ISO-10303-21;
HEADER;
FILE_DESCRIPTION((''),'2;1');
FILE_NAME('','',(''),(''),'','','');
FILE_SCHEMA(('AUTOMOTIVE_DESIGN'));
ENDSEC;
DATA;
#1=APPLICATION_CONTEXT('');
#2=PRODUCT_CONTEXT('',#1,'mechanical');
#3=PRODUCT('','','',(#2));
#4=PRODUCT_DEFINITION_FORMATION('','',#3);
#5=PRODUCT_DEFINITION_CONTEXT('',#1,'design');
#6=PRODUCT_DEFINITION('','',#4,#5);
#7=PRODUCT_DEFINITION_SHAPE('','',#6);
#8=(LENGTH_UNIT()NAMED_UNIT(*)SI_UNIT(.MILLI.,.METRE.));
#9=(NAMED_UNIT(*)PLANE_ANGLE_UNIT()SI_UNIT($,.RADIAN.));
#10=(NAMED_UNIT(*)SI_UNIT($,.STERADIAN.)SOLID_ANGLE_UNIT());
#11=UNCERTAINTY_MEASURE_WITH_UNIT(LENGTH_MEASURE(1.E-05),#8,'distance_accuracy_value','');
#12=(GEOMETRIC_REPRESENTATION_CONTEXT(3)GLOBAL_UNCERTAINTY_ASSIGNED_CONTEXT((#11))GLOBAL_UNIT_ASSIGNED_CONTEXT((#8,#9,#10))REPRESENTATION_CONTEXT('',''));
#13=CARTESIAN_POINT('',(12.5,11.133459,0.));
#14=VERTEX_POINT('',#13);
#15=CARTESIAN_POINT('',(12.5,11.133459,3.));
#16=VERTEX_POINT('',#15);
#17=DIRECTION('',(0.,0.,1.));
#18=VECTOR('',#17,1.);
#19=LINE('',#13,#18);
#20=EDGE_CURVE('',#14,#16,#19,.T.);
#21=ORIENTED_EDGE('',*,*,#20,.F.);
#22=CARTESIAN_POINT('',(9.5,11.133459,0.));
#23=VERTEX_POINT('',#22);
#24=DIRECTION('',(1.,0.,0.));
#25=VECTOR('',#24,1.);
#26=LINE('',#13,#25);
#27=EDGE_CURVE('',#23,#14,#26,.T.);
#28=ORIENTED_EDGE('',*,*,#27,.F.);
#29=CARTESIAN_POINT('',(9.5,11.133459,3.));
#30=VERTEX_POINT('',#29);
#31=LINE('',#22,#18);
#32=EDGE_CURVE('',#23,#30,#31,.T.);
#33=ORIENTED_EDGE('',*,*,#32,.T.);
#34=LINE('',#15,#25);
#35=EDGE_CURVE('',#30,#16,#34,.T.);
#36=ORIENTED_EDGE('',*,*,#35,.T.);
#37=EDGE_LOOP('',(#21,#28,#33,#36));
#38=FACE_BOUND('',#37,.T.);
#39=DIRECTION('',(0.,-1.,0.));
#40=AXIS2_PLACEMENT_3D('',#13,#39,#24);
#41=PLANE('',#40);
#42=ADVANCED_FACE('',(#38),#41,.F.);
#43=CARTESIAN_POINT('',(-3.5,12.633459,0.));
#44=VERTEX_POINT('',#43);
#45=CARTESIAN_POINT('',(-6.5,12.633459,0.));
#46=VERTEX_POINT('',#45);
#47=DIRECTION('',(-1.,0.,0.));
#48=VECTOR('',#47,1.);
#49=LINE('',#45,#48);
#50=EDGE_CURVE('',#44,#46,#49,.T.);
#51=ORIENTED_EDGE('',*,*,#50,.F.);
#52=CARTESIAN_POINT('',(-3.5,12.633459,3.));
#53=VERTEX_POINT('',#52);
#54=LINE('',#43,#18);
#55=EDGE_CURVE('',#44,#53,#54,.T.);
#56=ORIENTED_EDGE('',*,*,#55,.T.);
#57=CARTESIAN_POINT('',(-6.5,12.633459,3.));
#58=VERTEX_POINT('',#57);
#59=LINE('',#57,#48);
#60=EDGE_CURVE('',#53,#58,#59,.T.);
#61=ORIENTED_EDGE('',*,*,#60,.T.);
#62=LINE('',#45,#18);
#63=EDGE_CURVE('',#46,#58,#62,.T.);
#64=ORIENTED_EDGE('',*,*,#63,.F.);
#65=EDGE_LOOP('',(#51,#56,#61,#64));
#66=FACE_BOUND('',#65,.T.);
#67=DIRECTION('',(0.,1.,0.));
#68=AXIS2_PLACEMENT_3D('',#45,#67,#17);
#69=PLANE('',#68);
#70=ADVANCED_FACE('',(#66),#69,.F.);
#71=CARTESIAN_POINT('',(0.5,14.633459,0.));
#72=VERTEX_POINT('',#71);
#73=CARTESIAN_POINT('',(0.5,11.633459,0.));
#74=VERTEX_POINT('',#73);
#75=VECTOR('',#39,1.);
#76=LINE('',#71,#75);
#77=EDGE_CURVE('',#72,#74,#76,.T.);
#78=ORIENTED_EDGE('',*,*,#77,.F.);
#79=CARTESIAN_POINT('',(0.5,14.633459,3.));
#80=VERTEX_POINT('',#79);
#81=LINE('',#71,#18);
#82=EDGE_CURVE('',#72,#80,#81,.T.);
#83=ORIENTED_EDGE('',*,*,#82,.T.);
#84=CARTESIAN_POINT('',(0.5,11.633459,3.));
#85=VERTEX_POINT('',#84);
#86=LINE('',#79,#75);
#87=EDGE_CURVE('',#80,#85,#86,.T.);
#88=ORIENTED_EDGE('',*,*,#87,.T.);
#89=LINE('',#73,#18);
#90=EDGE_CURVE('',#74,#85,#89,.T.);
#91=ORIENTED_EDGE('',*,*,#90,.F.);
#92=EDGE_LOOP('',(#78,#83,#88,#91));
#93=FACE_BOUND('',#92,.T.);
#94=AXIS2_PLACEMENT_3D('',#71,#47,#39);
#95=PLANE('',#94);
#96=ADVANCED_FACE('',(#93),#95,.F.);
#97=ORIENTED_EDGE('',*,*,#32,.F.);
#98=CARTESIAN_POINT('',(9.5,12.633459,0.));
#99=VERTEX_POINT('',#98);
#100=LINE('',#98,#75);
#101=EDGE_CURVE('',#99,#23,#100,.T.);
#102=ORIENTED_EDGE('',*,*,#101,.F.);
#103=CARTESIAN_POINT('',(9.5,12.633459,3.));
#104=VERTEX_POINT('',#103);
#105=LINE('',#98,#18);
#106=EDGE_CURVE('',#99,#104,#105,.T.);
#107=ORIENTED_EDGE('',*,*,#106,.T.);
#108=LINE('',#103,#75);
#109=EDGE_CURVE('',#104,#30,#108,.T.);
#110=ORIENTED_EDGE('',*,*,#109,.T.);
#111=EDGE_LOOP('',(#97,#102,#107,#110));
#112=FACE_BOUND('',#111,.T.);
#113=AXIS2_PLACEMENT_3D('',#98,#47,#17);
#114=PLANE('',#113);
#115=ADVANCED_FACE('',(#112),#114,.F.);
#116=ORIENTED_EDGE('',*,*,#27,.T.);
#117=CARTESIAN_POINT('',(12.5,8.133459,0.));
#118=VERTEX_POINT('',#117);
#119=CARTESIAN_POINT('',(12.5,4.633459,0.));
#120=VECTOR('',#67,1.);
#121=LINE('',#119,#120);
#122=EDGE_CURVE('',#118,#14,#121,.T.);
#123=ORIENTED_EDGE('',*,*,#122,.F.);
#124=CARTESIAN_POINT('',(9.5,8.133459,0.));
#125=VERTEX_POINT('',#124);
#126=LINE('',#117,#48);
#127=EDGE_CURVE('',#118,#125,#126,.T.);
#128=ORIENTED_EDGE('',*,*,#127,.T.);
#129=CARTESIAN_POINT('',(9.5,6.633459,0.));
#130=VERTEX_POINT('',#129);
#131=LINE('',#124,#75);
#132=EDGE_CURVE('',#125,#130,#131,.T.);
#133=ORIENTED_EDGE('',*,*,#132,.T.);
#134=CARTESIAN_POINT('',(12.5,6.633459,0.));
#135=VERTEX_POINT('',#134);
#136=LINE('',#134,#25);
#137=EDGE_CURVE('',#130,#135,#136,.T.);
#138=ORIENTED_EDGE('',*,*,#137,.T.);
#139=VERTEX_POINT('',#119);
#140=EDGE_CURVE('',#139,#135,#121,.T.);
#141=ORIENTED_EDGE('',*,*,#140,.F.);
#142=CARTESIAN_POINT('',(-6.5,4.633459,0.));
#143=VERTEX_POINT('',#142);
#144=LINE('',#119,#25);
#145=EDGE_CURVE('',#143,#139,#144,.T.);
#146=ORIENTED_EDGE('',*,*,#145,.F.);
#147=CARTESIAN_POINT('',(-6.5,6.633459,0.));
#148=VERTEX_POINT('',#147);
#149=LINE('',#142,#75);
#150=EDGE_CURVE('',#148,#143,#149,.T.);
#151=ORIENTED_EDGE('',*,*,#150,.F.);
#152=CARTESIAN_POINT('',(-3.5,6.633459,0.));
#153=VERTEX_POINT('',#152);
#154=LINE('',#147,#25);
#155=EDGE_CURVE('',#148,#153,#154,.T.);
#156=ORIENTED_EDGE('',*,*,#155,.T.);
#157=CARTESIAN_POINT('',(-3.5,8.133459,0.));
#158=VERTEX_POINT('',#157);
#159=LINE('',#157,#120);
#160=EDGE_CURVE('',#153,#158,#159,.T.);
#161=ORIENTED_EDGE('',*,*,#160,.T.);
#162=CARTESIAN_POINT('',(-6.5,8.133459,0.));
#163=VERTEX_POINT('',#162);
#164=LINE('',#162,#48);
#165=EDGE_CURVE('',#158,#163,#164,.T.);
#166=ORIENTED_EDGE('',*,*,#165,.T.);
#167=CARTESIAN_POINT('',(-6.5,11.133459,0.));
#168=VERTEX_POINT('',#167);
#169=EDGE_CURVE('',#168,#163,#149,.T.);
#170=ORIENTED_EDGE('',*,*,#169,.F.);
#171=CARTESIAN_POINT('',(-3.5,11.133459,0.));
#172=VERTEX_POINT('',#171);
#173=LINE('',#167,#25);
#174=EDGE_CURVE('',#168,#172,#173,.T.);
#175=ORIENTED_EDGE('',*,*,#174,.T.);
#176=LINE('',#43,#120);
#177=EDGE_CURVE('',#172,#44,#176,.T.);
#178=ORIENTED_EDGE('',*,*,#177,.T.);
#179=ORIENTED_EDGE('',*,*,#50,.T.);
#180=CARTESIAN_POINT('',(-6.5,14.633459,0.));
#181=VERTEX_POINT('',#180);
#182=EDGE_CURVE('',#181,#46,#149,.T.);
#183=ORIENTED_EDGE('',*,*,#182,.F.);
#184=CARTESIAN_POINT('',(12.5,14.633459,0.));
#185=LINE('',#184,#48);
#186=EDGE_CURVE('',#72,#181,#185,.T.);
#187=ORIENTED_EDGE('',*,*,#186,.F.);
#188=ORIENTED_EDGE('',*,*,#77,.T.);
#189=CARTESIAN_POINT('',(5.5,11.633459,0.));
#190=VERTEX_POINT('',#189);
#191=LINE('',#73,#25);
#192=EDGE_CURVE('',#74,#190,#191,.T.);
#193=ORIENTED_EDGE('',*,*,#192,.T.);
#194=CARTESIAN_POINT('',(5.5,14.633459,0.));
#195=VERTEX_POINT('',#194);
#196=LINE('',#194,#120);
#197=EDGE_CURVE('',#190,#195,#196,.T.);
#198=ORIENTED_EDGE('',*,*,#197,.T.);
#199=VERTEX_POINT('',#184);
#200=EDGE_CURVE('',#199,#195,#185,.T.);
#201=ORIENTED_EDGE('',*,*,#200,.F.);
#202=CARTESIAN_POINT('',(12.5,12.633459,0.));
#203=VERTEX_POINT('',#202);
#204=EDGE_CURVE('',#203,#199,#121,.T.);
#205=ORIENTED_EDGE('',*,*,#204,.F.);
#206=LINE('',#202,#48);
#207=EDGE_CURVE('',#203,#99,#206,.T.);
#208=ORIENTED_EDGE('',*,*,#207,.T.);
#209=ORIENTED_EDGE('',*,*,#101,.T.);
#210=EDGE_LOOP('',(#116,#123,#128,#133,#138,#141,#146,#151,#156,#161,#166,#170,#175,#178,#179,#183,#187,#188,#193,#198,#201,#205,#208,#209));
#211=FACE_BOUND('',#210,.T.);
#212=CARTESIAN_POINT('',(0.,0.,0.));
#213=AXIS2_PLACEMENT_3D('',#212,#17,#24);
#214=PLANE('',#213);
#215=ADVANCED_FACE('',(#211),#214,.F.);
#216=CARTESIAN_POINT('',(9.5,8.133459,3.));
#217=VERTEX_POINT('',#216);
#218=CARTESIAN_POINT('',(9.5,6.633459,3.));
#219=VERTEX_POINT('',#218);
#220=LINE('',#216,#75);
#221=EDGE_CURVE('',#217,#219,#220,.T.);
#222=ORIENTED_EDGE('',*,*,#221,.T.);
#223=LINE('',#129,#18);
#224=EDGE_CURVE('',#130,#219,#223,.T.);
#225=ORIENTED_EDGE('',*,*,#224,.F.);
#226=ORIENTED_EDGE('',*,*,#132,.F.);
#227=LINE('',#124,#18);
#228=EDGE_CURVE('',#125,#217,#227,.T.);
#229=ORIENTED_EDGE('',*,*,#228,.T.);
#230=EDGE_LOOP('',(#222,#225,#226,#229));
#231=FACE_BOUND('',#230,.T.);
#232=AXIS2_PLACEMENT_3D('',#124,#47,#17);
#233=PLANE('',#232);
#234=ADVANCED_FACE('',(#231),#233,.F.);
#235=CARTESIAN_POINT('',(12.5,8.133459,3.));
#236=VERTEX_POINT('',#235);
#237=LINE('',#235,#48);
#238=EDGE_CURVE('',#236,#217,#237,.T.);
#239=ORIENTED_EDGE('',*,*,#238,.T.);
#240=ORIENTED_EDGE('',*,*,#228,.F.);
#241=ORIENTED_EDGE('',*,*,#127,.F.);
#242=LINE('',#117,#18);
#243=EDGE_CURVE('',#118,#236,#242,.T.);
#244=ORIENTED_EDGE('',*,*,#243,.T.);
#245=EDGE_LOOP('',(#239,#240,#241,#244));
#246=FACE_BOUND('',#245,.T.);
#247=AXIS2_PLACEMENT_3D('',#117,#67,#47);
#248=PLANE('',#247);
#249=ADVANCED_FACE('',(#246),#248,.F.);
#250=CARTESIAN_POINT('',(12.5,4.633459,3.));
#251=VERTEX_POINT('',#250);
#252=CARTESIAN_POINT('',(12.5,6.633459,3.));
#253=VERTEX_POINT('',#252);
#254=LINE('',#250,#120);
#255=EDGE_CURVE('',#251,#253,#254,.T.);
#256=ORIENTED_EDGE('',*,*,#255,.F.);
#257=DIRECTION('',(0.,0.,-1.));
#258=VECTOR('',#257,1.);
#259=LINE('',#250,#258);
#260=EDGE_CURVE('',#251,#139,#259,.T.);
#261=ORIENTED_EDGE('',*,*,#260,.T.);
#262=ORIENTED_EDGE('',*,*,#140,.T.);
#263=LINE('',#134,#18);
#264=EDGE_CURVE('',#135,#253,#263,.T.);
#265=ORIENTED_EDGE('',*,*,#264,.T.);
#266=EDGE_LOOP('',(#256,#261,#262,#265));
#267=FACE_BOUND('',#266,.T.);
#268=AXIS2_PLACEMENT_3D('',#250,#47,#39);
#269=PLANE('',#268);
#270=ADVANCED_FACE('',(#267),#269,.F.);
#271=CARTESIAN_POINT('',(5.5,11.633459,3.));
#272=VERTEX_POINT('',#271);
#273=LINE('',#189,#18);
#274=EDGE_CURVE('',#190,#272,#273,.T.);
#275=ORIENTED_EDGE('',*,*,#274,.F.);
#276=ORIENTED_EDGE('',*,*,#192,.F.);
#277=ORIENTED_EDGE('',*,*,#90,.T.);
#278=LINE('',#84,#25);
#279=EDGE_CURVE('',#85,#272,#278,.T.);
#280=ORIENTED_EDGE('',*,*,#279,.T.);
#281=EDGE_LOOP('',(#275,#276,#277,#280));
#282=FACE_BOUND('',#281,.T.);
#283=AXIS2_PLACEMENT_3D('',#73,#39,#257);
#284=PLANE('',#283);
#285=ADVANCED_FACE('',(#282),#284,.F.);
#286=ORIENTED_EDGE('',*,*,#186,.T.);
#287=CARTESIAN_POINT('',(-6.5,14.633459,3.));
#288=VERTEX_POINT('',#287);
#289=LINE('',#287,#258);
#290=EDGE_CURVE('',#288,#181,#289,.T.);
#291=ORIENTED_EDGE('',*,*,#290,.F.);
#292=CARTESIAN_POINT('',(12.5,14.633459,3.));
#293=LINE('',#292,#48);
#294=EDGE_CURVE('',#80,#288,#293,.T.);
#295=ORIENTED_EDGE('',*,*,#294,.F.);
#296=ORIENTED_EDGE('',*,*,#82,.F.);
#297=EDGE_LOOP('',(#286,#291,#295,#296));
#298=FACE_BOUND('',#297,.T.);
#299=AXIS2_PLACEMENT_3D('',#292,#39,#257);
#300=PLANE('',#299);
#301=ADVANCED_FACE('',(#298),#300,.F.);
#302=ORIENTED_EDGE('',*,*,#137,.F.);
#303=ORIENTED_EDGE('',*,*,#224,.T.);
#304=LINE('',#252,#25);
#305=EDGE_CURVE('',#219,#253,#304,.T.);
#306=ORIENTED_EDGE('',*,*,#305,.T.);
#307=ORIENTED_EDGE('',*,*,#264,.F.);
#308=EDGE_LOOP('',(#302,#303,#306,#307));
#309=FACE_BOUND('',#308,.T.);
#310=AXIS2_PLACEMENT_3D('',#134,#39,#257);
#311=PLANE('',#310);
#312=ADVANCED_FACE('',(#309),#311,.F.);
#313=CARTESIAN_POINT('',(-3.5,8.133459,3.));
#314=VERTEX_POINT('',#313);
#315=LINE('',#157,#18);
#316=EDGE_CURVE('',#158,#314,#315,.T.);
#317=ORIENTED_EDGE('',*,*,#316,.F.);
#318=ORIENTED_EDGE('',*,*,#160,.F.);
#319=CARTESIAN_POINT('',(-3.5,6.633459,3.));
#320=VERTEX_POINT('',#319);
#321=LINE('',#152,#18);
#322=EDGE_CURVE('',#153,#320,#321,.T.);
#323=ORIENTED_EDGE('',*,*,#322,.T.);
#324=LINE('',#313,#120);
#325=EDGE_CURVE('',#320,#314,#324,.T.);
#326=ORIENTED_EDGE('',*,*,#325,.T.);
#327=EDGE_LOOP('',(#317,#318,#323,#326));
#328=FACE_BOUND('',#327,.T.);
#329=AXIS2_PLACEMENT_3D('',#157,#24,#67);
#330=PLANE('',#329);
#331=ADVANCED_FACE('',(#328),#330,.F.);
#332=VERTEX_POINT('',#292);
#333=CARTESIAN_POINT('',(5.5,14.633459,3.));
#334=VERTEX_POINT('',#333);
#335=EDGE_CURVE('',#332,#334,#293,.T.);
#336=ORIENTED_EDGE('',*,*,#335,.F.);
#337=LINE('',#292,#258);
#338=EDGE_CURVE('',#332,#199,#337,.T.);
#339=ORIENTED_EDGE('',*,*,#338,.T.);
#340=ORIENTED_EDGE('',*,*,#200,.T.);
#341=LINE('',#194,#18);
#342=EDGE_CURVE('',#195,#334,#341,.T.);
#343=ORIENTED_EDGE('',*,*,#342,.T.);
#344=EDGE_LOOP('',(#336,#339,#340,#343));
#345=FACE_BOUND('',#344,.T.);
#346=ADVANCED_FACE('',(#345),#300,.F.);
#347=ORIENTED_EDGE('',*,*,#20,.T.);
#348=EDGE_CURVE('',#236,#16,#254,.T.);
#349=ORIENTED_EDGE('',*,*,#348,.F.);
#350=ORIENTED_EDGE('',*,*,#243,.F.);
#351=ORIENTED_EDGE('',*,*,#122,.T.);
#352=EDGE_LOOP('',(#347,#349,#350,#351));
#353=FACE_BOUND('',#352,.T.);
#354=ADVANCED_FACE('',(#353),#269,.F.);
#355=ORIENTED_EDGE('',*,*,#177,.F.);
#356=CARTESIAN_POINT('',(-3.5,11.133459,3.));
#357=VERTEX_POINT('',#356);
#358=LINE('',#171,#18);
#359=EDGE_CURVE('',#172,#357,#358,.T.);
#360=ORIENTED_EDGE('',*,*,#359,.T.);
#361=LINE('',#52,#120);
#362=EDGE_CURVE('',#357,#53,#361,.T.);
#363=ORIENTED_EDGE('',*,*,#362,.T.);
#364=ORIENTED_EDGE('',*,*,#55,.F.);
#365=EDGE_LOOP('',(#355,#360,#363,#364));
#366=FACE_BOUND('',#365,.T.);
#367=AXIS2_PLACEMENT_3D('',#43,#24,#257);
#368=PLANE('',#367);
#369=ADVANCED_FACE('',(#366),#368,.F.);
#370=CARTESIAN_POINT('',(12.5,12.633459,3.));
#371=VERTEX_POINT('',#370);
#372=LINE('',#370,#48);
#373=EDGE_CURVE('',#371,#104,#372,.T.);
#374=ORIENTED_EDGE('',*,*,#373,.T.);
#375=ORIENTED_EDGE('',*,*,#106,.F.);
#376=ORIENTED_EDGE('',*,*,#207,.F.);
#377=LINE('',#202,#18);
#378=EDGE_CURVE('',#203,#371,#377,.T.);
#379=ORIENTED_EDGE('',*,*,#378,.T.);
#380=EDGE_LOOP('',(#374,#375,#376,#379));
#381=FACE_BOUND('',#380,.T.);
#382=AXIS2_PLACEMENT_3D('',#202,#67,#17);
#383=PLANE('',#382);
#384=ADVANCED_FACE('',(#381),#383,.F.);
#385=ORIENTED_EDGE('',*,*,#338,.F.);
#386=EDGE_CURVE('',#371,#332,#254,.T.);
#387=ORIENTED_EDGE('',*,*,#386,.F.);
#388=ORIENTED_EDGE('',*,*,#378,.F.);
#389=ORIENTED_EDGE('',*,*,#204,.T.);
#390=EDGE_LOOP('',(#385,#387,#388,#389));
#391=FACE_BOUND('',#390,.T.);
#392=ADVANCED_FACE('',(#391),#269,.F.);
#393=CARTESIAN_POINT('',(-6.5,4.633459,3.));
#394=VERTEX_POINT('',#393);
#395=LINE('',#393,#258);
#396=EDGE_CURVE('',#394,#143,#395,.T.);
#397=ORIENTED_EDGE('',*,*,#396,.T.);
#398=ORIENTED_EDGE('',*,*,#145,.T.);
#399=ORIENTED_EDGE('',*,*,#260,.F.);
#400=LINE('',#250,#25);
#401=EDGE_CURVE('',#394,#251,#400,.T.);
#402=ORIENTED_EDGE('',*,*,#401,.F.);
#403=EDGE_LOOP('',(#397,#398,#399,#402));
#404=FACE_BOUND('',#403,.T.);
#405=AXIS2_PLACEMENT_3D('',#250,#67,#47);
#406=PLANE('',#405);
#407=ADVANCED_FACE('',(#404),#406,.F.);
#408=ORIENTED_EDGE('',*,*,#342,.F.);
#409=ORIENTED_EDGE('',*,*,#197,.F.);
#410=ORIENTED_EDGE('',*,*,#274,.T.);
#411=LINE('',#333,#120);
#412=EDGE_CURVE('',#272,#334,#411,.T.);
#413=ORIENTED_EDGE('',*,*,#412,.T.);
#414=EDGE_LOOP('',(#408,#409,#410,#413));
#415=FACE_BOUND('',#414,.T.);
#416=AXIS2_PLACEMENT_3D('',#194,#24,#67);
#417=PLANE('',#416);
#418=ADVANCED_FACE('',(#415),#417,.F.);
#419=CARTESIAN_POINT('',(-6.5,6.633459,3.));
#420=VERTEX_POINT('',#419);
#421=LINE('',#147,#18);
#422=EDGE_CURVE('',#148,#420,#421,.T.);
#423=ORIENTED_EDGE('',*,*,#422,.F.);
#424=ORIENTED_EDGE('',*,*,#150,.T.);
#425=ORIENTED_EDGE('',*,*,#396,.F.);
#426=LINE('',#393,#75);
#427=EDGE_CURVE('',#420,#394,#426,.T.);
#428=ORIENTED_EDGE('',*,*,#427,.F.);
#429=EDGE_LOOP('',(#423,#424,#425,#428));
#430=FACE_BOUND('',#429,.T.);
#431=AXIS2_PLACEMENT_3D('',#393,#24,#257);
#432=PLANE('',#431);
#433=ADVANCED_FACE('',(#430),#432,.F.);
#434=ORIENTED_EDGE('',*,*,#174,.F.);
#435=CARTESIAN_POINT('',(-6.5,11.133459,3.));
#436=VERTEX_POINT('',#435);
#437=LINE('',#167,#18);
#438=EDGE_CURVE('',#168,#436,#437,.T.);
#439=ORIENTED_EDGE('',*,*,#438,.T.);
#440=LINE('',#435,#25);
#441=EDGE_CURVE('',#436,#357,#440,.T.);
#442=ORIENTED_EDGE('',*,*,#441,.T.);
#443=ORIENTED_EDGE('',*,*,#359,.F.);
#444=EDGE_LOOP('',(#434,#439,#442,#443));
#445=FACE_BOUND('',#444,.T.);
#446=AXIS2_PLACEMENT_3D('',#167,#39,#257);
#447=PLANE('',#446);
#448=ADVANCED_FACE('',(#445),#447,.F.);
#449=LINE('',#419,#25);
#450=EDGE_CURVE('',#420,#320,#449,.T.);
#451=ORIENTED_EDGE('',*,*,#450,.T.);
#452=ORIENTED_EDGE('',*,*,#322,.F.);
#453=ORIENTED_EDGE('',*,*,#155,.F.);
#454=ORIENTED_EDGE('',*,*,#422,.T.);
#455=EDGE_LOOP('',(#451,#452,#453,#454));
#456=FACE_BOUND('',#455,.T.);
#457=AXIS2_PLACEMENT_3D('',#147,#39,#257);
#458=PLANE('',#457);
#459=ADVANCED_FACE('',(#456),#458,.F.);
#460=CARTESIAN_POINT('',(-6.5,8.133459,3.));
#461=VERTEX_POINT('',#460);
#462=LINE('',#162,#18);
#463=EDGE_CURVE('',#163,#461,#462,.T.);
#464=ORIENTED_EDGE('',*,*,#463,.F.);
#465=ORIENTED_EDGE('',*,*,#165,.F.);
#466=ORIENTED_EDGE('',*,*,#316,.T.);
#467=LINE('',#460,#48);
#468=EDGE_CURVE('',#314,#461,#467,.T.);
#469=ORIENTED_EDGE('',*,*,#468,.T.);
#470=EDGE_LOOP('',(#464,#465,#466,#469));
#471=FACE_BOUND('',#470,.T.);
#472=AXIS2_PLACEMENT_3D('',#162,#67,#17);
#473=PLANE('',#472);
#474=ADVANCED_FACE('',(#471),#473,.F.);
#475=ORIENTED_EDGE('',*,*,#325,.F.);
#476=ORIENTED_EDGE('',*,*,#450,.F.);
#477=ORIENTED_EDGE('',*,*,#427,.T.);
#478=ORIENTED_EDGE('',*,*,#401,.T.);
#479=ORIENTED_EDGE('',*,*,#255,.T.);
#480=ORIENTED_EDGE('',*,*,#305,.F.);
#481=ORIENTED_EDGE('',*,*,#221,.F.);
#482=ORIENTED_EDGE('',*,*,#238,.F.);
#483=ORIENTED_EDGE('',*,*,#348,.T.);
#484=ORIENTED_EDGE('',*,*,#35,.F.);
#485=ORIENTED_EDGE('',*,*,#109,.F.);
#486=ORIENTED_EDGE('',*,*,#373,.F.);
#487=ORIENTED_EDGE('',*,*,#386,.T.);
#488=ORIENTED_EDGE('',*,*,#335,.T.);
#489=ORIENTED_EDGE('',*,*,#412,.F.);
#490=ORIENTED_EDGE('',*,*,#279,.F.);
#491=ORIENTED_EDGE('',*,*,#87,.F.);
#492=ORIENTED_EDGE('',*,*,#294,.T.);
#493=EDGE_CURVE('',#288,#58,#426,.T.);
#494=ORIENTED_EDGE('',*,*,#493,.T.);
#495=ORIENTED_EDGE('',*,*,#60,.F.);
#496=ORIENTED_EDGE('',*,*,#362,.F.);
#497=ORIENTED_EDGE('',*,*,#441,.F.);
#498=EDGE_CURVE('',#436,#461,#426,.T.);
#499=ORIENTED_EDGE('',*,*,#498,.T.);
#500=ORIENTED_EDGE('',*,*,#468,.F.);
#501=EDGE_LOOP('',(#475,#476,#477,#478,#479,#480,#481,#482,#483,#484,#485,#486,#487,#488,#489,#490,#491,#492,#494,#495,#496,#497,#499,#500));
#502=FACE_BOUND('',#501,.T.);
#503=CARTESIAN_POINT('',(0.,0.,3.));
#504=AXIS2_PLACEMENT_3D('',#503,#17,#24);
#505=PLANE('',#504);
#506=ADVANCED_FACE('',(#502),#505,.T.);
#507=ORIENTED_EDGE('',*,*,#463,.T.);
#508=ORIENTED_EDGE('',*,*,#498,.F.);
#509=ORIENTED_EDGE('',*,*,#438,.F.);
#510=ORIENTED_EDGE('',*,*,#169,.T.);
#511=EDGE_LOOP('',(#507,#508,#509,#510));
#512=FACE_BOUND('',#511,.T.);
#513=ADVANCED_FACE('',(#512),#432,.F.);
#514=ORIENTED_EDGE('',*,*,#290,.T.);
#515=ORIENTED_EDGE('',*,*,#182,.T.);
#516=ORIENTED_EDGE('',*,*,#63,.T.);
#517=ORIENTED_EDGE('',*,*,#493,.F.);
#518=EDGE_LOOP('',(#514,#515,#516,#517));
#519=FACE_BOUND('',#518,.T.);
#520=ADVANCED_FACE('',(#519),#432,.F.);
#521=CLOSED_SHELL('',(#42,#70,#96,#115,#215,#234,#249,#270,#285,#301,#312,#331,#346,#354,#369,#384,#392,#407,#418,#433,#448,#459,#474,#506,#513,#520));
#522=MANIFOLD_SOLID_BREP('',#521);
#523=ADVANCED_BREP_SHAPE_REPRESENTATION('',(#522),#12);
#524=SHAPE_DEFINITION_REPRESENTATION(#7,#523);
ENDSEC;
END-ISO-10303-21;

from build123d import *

# Parameters (mm, degrees)
SKETCH1_W           = 19
SKETCH1_H           = 10
BOSS_EXTRUDE1_DEPTH = 3
SKETCH2_W           = 3
SKETCH2_H           = 1.5
CUT_EXTRUDE1_DEPTH  = 3
SKETCH3_W           = 3
SKETCH3_H           = 1.5
CUT_EXTRUDE2_DEPTH  = 3
SKETCH5_W           = 5
SKETCH5_H           = 3
CUT_EXTRUDE6_DEPTH  = 3


with BuildPart() as part:
    # Sketch1 → Boss-Extrude1 (new body)
    with BuildSketch(Plane.XY):
        with Locations((3, 9.633458647)):
            Rectangle(SKETCH1_W, SKETCH1_H)
    extrude(amount=BOSS_EXTRUDE1_DEPTH)

    # Sketch2 → Cut-Extrude1 (cut)
    with BuildSketch(Plane.XY.offset(3)):
        with Locations((-5, 11.883458647)):
            Rectangle(SKETCH2_W, SKETCH2_H)
        with Locations((-5, 7.383458647)):
            Rectangle(SKETCH2_W, SKETCH2_H)
    extrude(amount=-CUT_EXTRUDE1_DEPTH, mode=Mode.SUBTRACT)

    # Sketch3 → Cut-Extrude2 (cut)
    with BuildSketch(Plane.XY.offset(3)):
        with Locations((11, 11.883458647)):
            Rectangle(SKETCH3_W, SKETCH3_H)
        with Locations((11, 7.383458647)):
            Rectangle(SKETCH3_W, SKETCH3_H)
    extrude(amount=-CUT_EXTRUDE2_DEPTH, mode=Mode.SUBTRACT)

    # Sketch5 → Cut-Extrude6 (cut)
    with BuildSketch(Plane.XY.offset(3)):
        with Locations((3, 13.133458647)):
            Rectangle(SKETCH5_W, SKETCH5_H)
    extrude(amount=-CUT_EXTRUDE6_DEPTH, mode=Mode.SUBTRACT)


solid = part.part
